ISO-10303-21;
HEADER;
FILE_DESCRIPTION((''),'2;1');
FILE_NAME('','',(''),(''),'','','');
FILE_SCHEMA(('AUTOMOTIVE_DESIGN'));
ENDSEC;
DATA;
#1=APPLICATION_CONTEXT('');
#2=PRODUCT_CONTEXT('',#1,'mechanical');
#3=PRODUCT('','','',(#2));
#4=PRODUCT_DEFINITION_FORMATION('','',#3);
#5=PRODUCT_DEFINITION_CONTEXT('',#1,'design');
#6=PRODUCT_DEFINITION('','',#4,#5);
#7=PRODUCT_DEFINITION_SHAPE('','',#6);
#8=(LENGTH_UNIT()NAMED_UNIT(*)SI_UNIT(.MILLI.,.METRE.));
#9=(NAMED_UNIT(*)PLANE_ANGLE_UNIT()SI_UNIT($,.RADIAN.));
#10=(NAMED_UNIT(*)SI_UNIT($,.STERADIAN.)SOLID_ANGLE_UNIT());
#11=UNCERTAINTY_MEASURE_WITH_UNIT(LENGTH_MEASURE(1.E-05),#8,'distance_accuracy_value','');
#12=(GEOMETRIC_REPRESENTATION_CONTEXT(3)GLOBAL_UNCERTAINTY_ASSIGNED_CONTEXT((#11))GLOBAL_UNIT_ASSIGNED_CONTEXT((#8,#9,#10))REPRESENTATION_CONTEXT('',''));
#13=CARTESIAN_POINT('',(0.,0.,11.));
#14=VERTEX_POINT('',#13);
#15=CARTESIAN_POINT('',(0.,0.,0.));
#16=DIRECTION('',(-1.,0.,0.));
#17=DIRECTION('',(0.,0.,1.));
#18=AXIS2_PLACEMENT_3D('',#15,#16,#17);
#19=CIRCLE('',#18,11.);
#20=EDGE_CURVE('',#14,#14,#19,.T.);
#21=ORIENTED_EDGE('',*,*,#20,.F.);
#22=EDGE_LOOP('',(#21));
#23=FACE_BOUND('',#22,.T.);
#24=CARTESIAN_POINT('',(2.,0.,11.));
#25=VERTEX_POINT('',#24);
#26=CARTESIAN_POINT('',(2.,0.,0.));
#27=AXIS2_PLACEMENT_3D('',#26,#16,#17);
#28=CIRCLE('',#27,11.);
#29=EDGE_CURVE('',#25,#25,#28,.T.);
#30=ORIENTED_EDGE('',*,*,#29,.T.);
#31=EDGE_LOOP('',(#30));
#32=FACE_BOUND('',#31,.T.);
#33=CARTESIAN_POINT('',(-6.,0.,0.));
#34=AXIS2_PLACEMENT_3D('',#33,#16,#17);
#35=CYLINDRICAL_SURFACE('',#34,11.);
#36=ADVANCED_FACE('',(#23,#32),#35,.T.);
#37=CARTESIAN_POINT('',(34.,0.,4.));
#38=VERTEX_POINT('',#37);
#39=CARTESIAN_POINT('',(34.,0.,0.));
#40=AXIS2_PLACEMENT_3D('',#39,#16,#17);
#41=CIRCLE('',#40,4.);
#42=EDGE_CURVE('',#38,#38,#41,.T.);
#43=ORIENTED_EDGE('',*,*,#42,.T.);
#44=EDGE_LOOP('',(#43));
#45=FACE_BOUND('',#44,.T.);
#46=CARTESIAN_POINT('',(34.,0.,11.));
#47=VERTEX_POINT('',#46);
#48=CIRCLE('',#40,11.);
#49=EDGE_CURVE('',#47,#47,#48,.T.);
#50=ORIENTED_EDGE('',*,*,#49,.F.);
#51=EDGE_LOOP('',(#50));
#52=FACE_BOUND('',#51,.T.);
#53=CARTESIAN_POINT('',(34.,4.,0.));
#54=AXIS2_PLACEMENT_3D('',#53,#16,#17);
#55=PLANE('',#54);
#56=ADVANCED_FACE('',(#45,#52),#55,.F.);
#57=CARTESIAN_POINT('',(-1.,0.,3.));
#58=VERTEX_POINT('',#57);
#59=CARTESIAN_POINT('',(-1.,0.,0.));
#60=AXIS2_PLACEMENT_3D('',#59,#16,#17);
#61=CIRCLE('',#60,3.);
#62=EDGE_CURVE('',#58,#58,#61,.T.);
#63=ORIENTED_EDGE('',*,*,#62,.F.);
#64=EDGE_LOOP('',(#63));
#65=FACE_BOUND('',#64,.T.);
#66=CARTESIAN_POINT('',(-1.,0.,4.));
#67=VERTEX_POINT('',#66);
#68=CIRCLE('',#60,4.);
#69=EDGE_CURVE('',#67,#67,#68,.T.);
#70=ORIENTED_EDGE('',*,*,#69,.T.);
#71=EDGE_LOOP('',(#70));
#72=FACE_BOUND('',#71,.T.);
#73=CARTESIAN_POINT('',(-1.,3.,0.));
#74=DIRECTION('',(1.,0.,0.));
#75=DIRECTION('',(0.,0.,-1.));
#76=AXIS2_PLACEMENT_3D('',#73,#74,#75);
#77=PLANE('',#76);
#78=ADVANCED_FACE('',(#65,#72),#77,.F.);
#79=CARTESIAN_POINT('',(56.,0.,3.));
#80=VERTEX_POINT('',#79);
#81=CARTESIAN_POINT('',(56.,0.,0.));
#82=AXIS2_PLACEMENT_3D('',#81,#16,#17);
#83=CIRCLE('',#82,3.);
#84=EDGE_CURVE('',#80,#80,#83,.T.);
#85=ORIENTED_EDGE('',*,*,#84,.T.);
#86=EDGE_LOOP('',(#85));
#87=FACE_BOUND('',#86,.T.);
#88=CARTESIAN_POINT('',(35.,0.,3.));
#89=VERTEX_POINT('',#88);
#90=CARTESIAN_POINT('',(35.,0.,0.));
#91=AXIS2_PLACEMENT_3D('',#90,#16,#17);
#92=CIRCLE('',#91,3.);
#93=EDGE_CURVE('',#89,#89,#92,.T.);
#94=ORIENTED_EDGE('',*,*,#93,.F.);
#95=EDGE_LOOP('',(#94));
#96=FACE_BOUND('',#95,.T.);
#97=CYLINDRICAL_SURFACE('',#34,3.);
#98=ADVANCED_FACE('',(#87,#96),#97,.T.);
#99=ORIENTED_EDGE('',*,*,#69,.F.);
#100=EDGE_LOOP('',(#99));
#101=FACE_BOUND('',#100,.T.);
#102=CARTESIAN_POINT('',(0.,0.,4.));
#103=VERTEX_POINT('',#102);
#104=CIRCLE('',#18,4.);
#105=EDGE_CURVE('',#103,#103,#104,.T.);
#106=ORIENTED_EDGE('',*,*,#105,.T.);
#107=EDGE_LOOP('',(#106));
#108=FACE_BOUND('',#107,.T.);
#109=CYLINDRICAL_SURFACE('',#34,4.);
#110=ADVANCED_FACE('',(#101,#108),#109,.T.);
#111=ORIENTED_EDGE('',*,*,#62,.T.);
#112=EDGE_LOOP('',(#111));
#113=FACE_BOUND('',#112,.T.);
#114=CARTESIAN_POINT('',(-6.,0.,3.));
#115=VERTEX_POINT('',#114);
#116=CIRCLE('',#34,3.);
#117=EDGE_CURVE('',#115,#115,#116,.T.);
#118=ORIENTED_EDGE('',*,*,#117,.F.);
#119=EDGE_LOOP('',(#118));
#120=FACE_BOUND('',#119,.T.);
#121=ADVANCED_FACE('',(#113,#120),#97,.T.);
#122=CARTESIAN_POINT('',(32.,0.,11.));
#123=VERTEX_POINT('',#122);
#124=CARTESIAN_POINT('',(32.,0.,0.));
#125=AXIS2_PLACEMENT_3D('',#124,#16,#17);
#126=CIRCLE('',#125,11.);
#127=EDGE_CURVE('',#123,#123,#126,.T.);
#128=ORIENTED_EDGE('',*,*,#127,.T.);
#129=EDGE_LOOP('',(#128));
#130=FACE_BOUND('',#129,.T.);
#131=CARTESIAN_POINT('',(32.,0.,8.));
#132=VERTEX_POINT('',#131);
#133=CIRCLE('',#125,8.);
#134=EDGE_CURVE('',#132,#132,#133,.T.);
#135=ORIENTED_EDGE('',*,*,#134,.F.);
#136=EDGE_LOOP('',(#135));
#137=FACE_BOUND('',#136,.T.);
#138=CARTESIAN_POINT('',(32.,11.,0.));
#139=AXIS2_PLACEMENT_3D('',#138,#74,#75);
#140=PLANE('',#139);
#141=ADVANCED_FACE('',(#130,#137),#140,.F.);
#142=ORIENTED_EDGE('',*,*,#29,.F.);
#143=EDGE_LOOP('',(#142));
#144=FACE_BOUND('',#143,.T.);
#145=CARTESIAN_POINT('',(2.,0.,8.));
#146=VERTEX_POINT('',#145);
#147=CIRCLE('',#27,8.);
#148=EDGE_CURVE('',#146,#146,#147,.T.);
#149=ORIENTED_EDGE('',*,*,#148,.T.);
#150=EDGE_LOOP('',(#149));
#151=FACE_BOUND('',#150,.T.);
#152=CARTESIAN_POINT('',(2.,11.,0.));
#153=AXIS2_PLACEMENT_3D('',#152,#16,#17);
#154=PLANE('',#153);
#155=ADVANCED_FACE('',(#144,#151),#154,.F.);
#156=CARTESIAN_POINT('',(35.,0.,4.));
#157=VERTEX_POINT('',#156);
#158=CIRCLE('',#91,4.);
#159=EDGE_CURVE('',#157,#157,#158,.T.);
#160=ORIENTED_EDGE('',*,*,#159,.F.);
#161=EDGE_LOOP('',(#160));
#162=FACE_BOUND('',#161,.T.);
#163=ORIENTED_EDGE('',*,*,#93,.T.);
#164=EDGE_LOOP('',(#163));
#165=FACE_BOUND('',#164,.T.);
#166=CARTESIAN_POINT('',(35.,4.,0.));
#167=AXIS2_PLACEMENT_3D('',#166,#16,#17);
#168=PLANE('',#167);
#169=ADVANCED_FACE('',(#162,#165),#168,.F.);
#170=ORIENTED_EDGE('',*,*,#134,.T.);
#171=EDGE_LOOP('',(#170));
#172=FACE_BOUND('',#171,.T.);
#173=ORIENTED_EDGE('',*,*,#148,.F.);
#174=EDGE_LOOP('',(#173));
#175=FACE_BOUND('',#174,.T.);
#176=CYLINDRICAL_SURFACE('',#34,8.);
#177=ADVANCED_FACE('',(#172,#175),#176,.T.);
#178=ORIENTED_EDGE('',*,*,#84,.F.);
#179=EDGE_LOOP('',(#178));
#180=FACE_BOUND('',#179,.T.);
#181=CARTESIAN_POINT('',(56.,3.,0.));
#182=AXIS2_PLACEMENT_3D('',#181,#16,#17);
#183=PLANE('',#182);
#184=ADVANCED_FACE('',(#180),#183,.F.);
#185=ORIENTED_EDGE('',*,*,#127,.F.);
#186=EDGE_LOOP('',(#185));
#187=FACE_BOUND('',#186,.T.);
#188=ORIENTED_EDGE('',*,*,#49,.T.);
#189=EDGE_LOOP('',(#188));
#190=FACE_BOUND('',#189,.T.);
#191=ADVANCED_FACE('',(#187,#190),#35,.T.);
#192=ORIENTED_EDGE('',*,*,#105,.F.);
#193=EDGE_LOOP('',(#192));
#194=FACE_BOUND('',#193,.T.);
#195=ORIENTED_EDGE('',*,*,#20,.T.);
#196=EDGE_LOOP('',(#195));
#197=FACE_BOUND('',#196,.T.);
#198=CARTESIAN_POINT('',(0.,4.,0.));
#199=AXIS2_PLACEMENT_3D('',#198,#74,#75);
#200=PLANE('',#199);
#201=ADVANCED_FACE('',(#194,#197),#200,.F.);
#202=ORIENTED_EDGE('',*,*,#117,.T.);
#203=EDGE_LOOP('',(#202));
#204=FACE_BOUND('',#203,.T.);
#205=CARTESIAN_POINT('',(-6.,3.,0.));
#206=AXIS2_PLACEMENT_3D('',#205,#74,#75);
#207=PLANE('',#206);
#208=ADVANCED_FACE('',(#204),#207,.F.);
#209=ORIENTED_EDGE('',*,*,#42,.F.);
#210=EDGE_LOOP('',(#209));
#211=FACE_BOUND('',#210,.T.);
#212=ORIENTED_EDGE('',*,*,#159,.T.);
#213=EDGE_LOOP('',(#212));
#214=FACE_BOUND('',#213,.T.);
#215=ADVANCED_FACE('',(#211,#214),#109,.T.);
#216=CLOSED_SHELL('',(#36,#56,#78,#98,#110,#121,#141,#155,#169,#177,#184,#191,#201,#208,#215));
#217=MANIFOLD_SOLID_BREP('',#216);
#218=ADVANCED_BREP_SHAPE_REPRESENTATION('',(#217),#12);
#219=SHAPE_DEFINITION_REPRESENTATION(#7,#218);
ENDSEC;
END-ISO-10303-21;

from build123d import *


with BuildPart() as part:
    # 草图2 → 旋转1 (revolve)
    with BuildSketch(Plane.XY, mode=Mode.PRIVATE) as revolve_1_sk:
        Polygon((32, 11), (34, 11), (34, 4), (35, 4), (35, 3), (56, 3), (56, 0), (-6, 0), (-6, 3), (-1, 3), (-1, 4), (0, 4), (0, 11), (2, 11), (2, 8), (32, 8), align=None)
    revolve(revolve_1_sk.sketch.rotate(Axis((-6, 0, 0), (1, 0, 0)), 90), axis=Axis((-6, 0, 0), (1, 0, 0)))


solid = part.part
